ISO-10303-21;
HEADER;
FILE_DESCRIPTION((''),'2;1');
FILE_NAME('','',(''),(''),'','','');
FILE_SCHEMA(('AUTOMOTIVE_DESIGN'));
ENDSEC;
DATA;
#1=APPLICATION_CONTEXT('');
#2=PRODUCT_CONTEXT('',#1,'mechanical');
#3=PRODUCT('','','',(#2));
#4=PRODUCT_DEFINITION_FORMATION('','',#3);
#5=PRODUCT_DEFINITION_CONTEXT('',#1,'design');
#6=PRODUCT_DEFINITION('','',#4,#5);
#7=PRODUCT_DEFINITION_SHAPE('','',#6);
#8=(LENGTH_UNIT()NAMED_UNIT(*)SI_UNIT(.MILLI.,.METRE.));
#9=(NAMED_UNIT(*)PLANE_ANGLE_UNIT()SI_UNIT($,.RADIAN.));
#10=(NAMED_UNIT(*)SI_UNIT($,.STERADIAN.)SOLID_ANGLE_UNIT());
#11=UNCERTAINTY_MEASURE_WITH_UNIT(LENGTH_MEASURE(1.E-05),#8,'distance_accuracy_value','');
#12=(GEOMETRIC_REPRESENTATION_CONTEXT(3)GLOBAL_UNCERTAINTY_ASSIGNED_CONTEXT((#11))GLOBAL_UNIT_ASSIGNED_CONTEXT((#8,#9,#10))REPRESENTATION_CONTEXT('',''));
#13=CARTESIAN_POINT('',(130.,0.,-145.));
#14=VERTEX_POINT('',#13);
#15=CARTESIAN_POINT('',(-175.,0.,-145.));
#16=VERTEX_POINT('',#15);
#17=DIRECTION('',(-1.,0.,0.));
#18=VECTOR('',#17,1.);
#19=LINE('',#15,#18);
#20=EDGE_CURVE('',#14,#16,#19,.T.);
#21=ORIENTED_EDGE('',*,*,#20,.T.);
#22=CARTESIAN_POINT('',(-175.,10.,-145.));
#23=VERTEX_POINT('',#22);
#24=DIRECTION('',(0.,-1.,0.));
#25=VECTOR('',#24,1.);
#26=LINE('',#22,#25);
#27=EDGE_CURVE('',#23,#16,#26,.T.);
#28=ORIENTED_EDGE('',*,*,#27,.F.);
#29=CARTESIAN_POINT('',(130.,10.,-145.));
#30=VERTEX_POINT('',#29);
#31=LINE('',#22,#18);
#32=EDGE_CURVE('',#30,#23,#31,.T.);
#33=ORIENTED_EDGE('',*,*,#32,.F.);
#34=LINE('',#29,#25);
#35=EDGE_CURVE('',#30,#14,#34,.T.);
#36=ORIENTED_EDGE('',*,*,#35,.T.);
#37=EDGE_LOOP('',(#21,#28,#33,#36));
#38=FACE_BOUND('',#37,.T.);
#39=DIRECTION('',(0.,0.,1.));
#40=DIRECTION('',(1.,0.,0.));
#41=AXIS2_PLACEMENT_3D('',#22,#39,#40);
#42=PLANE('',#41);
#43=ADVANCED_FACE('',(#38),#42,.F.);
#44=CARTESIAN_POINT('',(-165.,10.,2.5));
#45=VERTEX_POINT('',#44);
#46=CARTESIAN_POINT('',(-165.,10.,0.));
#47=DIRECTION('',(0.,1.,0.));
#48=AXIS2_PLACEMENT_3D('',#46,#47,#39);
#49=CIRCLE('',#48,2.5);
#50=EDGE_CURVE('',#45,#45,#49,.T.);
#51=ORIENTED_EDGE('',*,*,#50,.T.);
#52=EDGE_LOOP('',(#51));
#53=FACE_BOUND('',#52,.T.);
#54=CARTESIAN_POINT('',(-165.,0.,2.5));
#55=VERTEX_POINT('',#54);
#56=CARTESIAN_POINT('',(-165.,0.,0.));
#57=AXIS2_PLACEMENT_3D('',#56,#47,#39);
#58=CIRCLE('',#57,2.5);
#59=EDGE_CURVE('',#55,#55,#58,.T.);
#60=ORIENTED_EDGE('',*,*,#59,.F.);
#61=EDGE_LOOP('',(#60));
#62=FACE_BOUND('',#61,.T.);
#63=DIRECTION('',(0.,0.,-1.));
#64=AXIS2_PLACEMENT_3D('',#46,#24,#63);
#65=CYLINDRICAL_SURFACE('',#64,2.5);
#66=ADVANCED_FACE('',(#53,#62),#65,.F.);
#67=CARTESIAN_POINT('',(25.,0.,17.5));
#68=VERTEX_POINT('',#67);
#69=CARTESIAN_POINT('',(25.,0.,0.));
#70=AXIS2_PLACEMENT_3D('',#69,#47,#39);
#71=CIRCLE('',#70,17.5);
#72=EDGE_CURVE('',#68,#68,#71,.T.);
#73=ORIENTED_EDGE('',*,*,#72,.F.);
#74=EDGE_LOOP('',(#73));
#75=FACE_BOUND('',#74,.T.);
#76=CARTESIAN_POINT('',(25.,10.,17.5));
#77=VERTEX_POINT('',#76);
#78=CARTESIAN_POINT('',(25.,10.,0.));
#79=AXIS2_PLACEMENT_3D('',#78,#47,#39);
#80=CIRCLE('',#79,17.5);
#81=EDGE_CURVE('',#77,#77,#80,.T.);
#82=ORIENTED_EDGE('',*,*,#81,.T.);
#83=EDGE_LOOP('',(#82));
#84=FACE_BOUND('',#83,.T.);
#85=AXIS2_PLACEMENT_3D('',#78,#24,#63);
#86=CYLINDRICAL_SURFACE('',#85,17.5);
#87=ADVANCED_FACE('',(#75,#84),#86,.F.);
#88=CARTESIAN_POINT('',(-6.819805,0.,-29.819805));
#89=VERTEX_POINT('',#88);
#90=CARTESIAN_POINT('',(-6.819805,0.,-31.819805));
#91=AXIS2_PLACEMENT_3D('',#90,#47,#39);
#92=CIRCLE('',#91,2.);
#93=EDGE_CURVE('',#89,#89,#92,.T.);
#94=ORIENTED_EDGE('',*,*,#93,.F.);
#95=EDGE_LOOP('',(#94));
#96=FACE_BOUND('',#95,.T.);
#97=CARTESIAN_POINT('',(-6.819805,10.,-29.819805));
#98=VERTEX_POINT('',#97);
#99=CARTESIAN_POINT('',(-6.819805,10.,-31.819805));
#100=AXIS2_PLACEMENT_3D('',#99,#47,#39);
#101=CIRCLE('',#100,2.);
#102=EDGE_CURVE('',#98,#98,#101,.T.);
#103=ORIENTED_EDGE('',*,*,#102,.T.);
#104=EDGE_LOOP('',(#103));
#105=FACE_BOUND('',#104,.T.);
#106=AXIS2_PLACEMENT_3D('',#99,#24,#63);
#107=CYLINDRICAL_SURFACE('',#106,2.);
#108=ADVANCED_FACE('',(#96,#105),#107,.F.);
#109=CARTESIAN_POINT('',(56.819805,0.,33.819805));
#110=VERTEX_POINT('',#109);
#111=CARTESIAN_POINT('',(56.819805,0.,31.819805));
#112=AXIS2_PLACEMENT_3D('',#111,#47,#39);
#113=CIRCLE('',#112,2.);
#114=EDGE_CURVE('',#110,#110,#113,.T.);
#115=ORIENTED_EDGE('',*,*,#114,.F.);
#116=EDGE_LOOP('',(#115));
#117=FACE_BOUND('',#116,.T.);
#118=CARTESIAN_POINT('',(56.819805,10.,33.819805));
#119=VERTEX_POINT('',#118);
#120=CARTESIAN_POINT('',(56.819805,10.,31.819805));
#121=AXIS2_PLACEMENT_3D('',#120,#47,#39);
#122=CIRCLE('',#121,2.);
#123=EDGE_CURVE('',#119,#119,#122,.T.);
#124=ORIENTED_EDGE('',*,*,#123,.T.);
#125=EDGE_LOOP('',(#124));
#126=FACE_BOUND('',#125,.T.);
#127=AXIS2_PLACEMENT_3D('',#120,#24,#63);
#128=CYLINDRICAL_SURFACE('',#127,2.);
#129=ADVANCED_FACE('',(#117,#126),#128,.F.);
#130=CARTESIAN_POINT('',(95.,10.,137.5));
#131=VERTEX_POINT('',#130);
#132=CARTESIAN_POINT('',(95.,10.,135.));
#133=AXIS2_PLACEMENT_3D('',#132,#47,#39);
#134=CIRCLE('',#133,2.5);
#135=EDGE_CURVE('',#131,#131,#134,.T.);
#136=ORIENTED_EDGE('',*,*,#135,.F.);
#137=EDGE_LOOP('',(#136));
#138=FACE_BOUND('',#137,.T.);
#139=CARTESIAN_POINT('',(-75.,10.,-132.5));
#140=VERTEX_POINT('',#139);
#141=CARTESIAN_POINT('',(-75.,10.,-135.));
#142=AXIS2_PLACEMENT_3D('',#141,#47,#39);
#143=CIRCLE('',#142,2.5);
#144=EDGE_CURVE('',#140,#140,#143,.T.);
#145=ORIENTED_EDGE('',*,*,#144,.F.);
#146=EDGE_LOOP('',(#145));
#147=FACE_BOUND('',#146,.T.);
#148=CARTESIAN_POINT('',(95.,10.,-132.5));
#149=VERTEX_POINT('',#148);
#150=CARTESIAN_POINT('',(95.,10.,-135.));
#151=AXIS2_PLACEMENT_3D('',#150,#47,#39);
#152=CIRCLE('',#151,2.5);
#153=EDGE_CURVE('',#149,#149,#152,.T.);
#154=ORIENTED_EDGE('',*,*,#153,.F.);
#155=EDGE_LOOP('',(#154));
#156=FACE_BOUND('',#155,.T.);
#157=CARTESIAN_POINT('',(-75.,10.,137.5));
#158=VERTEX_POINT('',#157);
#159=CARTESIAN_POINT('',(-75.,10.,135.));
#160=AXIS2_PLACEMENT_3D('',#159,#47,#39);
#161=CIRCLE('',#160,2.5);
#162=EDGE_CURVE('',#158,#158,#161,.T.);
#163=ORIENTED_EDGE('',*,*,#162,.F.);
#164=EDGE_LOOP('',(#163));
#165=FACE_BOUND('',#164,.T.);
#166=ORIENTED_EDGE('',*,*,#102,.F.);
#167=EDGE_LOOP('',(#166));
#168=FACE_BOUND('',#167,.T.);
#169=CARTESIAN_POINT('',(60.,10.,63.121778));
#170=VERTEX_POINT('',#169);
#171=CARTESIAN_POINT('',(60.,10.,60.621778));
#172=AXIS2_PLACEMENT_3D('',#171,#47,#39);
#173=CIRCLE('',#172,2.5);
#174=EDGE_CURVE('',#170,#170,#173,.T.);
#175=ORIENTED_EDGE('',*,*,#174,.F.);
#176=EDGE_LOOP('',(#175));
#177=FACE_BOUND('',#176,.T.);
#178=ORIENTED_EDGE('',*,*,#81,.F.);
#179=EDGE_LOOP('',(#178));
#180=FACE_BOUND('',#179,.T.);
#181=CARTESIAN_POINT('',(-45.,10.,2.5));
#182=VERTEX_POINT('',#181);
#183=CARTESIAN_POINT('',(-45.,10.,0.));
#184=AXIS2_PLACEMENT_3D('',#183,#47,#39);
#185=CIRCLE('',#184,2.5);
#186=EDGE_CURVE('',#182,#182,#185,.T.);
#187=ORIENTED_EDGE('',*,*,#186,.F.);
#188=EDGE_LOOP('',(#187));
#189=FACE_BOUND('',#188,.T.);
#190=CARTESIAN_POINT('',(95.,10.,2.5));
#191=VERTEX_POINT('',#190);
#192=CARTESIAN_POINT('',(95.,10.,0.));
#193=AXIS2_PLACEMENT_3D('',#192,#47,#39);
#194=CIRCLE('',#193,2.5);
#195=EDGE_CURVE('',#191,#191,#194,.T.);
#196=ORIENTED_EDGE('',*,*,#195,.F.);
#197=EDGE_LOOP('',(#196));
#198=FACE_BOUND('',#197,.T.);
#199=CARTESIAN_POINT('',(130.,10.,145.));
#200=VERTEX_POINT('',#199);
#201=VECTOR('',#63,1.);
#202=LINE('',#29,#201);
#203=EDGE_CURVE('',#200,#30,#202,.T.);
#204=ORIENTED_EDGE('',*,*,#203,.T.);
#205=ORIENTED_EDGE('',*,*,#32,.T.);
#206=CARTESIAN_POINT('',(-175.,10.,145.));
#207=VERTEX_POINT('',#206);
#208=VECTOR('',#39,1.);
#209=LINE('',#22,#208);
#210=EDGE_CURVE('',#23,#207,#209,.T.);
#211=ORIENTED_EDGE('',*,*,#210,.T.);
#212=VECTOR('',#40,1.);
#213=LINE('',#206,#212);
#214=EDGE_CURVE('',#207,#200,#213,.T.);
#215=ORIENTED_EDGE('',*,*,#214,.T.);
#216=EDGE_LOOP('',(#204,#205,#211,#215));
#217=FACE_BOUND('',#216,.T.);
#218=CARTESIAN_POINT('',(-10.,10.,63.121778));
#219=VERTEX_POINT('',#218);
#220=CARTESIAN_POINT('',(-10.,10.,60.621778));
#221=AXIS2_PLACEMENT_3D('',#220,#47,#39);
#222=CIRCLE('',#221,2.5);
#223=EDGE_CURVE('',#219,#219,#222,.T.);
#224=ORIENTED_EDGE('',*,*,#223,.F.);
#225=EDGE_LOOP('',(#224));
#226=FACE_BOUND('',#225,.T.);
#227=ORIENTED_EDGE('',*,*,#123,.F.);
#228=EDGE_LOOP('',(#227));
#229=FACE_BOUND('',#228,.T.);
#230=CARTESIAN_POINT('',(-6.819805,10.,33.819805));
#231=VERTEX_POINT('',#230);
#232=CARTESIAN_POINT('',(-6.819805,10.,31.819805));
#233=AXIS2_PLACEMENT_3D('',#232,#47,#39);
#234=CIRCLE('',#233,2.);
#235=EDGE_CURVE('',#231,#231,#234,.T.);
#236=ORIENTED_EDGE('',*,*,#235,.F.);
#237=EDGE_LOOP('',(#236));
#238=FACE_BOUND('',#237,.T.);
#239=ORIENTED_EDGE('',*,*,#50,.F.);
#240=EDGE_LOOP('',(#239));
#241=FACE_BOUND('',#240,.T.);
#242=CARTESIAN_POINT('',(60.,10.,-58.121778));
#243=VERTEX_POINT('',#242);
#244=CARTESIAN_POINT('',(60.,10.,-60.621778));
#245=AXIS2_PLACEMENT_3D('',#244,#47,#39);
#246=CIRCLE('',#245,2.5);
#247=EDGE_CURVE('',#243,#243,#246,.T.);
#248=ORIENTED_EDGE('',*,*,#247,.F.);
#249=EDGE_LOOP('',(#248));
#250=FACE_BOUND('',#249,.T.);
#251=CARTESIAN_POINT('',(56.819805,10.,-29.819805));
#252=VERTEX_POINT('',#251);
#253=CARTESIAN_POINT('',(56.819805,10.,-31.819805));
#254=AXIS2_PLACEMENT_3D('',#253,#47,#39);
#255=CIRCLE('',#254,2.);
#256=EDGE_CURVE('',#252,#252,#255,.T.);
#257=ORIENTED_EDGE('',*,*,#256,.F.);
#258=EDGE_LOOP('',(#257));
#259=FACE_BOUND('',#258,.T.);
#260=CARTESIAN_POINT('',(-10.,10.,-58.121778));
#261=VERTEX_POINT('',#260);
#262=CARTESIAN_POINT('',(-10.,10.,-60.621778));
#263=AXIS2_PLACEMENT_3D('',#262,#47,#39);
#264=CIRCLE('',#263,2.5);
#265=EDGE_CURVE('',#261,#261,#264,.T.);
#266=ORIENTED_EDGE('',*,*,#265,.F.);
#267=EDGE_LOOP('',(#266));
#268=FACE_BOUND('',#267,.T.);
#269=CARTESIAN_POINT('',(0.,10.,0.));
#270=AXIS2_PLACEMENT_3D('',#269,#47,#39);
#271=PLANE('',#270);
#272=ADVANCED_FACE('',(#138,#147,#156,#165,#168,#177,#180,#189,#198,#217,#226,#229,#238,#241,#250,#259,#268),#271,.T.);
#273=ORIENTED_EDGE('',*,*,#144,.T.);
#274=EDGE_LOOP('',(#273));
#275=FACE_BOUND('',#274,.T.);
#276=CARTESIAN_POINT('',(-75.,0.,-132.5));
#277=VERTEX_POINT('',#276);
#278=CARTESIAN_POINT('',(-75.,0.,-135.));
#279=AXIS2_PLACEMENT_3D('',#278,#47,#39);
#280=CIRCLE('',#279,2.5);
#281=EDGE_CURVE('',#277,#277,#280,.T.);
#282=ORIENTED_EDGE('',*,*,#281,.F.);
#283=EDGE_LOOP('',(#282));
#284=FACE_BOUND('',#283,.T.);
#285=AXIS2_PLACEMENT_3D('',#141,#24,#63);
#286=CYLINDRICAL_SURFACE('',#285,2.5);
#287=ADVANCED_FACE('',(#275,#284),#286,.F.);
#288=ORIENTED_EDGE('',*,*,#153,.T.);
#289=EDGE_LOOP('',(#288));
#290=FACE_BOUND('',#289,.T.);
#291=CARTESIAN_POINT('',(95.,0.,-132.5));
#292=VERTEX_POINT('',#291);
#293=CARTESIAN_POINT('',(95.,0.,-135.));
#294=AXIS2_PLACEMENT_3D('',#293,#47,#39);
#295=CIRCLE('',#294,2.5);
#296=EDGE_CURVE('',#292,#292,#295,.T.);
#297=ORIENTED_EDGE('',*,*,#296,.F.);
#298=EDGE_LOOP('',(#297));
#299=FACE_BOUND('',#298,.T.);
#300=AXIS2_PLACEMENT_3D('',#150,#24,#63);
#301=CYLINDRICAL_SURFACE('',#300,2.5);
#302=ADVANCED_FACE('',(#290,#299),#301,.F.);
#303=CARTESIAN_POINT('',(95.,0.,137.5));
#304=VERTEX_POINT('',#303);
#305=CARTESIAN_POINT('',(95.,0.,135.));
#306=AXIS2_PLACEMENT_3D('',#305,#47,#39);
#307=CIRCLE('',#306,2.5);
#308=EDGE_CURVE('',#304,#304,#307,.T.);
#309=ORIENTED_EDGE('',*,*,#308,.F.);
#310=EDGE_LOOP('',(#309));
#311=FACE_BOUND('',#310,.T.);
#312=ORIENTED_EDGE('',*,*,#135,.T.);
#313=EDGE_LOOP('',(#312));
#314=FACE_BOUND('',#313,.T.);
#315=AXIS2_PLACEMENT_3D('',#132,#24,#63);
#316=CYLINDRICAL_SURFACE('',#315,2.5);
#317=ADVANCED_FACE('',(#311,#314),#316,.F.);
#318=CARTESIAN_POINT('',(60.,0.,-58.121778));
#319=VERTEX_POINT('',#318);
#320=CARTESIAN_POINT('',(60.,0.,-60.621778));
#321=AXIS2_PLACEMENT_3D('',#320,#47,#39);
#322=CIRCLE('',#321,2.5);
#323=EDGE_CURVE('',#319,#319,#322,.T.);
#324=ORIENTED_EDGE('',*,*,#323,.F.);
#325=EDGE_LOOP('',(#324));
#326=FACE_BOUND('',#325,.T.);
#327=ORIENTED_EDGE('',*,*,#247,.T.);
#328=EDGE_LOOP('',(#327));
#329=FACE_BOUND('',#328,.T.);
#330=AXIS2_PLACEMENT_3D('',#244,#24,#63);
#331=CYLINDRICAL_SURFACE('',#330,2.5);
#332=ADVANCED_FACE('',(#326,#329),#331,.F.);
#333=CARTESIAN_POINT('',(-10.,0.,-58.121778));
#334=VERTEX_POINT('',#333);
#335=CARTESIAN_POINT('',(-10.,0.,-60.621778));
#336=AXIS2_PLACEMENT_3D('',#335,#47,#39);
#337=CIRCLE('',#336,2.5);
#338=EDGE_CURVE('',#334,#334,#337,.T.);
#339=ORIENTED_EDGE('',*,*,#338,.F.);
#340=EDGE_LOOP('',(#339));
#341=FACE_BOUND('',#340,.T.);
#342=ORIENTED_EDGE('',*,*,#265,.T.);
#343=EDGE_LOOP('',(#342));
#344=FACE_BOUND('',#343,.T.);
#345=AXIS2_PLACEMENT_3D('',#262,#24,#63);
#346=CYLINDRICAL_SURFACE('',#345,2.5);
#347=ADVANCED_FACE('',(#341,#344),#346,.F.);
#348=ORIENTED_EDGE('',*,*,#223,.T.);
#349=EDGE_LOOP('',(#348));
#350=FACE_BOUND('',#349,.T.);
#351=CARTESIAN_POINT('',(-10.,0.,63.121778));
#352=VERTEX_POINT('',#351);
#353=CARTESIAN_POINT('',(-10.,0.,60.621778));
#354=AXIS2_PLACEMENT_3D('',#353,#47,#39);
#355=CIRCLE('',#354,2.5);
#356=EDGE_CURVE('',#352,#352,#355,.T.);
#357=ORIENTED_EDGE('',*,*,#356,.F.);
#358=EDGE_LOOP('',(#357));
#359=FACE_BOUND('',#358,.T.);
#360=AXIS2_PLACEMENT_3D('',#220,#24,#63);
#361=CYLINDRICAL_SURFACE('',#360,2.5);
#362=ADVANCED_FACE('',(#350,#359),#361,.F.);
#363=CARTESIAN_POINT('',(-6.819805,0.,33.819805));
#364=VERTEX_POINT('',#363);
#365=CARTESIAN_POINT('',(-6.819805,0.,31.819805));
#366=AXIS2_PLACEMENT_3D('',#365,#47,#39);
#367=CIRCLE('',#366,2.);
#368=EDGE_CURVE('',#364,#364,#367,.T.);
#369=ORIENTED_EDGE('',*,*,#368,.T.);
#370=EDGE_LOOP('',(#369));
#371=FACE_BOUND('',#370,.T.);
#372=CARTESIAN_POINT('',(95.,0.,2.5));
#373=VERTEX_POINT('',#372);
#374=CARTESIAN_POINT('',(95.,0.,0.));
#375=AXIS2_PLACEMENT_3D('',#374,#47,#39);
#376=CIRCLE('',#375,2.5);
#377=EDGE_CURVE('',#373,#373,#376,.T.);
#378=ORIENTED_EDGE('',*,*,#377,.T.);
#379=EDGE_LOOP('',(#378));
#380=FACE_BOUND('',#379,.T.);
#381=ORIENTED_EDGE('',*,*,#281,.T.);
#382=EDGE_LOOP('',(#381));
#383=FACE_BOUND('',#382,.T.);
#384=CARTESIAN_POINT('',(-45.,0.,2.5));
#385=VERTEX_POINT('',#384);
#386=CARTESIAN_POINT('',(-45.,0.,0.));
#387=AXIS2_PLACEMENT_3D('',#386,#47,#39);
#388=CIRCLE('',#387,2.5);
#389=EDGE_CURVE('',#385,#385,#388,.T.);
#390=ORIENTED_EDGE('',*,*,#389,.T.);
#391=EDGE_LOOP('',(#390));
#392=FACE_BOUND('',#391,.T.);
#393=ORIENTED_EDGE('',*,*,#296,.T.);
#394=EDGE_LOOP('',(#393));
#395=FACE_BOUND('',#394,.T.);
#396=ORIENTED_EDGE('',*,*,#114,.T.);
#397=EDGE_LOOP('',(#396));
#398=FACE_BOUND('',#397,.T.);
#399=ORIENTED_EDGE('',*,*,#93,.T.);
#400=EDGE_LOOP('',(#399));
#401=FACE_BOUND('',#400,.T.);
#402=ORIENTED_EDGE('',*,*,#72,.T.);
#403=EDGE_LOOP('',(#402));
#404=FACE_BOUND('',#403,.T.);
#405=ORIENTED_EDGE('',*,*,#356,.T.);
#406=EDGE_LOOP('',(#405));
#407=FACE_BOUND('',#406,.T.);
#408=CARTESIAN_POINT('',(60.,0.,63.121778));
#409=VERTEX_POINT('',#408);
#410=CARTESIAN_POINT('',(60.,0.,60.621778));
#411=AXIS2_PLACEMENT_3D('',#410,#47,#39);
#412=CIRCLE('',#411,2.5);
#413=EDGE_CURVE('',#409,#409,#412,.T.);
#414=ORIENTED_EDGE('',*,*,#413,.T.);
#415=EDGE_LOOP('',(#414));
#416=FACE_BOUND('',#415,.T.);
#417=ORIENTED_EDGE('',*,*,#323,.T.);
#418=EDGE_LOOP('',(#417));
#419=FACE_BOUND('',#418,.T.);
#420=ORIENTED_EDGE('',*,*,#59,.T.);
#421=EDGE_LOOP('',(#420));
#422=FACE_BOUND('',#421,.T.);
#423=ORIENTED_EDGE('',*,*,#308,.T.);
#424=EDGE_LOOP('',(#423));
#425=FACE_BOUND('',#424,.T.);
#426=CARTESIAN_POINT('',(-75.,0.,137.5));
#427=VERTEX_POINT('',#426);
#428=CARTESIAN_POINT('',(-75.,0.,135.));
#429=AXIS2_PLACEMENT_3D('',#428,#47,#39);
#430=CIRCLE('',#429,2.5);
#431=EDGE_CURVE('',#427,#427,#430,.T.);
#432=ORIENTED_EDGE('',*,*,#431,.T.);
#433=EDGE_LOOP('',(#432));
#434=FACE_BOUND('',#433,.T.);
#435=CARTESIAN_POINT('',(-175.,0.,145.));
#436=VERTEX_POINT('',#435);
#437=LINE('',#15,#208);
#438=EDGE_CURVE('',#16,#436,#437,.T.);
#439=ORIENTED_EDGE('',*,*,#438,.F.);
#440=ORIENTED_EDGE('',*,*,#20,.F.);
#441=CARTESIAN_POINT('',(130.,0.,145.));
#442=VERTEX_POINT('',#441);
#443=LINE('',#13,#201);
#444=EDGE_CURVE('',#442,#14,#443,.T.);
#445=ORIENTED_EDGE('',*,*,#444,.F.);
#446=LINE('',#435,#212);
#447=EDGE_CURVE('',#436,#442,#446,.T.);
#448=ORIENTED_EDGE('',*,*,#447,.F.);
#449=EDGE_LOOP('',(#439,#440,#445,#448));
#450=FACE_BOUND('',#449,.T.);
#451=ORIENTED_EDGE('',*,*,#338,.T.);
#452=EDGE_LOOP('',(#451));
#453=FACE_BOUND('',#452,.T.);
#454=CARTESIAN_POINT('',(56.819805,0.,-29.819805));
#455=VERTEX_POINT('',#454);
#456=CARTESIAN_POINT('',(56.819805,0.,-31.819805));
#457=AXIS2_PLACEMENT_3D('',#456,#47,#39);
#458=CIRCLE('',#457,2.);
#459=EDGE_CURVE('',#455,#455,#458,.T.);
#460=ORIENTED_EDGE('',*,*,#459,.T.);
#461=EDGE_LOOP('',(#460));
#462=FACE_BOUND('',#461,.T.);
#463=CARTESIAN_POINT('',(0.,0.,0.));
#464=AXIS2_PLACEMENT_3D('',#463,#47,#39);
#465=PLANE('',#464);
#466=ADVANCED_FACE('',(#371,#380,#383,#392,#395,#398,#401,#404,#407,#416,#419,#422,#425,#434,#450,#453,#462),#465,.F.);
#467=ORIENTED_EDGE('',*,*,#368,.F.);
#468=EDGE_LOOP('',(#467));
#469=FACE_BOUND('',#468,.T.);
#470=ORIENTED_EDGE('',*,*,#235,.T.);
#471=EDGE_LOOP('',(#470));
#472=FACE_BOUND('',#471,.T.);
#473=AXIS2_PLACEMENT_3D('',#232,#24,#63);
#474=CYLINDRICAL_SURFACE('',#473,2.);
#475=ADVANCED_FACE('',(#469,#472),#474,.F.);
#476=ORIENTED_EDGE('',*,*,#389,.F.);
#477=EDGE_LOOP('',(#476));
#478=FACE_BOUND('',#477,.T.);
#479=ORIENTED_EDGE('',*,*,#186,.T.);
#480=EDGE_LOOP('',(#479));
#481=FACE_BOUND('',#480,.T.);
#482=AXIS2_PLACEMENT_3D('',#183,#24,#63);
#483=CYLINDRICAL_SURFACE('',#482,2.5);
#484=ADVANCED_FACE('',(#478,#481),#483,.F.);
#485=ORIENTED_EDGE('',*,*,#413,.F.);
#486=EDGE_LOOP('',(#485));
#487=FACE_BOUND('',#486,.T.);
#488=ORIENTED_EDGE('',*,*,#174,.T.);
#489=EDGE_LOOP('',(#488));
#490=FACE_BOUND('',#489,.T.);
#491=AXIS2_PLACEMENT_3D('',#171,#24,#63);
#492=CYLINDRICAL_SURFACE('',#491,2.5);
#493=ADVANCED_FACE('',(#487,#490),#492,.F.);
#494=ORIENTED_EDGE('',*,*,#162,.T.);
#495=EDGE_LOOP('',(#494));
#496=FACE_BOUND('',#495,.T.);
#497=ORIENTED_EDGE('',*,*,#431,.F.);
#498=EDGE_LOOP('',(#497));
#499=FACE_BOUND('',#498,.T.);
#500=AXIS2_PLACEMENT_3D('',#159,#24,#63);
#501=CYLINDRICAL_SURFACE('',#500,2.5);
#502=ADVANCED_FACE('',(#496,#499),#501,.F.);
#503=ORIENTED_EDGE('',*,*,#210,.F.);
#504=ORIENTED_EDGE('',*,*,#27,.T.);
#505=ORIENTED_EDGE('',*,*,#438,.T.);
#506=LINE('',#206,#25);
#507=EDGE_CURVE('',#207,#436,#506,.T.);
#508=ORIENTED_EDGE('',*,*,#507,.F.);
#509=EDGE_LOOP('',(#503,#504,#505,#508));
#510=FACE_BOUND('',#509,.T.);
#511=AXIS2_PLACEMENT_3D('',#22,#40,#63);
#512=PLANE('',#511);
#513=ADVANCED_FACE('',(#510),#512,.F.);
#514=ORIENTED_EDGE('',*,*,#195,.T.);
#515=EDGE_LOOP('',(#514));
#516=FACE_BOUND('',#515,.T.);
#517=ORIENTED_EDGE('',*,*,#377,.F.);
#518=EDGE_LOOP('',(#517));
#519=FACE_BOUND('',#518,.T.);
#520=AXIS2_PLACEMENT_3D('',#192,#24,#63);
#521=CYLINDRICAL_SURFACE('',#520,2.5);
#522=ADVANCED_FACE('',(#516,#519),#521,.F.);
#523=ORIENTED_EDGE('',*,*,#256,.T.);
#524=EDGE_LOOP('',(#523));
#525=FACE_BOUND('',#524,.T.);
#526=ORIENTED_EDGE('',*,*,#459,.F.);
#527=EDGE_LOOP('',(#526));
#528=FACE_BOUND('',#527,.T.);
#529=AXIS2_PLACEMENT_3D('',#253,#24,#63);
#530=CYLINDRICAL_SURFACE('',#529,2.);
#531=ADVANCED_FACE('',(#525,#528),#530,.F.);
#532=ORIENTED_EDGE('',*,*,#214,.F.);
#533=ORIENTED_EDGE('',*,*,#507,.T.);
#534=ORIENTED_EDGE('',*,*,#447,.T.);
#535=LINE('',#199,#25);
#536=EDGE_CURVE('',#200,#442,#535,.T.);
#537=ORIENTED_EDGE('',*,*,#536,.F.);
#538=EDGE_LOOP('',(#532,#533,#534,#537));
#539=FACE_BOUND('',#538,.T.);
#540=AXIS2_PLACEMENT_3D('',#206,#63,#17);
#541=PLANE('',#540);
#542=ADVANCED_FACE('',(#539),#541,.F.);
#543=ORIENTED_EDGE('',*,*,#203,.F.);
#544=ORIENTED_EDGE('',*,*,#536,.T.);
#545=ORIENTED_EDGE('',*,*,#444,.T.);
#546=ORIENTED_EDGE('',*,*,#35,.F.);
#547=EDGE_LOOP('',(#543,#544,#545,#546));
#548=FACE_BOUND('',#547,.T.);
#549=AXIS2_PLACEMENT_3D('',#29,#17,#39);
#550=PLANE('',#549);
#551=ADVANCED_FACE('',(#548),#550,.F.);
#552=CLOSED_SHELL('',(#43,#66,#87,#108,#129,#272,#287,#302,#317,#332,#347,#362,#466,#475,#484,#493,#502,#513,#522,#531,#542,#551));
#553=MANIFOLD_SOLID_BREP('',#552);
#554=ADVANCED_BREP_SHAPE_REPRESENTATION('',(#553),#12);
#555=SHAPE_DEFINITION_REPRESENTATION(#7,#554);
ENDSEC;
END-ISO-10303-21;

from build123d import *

# Parameters (mm, degrees)
SKETCH1_W           = 305
SKETCH1_H           = 290
SKETCH1_R           = 17.5
SKETCH1_R_2         = 2.5
SKETCH1_R_3         = 2
BOSS_EXTRUDE1_DEPTH = 10


with BuildPart() as part:
    # Sketch1 → Boss-Extrude1 (new body)
    with BuildSketch(Plane(origin=(0, 0, 0), x_dir=(1, 0, 0), z_dir=(0, 1, 0))):
        with Locations((-22.5, 0)):
            Rectangle(SKETCH1_W, SKETCH1_H)
        with Locations((25, 0)):
            Circle(SKETCH1_R, mode=Mode.SUBTRACT)
        with Locations((95, 0)):
            Circle(SKETCH1_R_2, mode=Mode.SUBTRACT)
        with Locations((56.819805153, 31.819805153)):
            Circle(SKETCH1_R_3, mode=Mode.SUBTRACT)
        with Locations((60, -60.621778265)):
            Circle(SKETCH1_R_2, mode=Mode.SUBTRACT)
        with Locations((-10, -60.621778265)):
            Circle(SKETCH1_R_2, mode=Mode.SUBTRACT)
        with Locations((-45, 0)):
            Circle(SKETCH1_R_2, mode=Mode.SUBTRACT)
        with Locations((56.819805153, -31.819805153)):
            Circle(SKETCH1_R_3, mode=Mode.SUBTRACT)
        with Locations((-6.819805153, -31.819805153)):
            Circle(SKETCH1_R_3, mode=Mode.SUBTRACT)
        with Locations((-6.819805153, 31.819805153)):
            Circle(SKETCH1_R_3, mode=Mode.SUBTRACT)
        with Locations((-165, 0)):
            Circle(SKETCH1_R_2, mode=Mode.SUBTRACT)
        with Locations((-75, -135)):
            Circle(SKETCH1_R_2, mode=Mode.SUBTRACT)
        with Locations((95, -135)):
            Circle(SKETCH1_R_2, mode=Mode.SUBTRACT)
        with Locations((95, 135)):
            Circle(SKETCH1_R_2, mode=Mode.SUBTRACT)
        with Locations((-75, 135)):
            Circle(SKETCH1_R_2, mode=Mode.SUBTRACT)
        with Locations((-10, 60.621778265)):
            Circle(SKETCH1_R_2, mode=Mode.SUBTRACT)
        with Locations((60, 60.621778265)):
            Circle(SKETCH1_R_2, mode=Mode.SUBTRACT)
    extrude(amount=BOSS_EXTRUDE1_DEPTH)


solid = part.part
